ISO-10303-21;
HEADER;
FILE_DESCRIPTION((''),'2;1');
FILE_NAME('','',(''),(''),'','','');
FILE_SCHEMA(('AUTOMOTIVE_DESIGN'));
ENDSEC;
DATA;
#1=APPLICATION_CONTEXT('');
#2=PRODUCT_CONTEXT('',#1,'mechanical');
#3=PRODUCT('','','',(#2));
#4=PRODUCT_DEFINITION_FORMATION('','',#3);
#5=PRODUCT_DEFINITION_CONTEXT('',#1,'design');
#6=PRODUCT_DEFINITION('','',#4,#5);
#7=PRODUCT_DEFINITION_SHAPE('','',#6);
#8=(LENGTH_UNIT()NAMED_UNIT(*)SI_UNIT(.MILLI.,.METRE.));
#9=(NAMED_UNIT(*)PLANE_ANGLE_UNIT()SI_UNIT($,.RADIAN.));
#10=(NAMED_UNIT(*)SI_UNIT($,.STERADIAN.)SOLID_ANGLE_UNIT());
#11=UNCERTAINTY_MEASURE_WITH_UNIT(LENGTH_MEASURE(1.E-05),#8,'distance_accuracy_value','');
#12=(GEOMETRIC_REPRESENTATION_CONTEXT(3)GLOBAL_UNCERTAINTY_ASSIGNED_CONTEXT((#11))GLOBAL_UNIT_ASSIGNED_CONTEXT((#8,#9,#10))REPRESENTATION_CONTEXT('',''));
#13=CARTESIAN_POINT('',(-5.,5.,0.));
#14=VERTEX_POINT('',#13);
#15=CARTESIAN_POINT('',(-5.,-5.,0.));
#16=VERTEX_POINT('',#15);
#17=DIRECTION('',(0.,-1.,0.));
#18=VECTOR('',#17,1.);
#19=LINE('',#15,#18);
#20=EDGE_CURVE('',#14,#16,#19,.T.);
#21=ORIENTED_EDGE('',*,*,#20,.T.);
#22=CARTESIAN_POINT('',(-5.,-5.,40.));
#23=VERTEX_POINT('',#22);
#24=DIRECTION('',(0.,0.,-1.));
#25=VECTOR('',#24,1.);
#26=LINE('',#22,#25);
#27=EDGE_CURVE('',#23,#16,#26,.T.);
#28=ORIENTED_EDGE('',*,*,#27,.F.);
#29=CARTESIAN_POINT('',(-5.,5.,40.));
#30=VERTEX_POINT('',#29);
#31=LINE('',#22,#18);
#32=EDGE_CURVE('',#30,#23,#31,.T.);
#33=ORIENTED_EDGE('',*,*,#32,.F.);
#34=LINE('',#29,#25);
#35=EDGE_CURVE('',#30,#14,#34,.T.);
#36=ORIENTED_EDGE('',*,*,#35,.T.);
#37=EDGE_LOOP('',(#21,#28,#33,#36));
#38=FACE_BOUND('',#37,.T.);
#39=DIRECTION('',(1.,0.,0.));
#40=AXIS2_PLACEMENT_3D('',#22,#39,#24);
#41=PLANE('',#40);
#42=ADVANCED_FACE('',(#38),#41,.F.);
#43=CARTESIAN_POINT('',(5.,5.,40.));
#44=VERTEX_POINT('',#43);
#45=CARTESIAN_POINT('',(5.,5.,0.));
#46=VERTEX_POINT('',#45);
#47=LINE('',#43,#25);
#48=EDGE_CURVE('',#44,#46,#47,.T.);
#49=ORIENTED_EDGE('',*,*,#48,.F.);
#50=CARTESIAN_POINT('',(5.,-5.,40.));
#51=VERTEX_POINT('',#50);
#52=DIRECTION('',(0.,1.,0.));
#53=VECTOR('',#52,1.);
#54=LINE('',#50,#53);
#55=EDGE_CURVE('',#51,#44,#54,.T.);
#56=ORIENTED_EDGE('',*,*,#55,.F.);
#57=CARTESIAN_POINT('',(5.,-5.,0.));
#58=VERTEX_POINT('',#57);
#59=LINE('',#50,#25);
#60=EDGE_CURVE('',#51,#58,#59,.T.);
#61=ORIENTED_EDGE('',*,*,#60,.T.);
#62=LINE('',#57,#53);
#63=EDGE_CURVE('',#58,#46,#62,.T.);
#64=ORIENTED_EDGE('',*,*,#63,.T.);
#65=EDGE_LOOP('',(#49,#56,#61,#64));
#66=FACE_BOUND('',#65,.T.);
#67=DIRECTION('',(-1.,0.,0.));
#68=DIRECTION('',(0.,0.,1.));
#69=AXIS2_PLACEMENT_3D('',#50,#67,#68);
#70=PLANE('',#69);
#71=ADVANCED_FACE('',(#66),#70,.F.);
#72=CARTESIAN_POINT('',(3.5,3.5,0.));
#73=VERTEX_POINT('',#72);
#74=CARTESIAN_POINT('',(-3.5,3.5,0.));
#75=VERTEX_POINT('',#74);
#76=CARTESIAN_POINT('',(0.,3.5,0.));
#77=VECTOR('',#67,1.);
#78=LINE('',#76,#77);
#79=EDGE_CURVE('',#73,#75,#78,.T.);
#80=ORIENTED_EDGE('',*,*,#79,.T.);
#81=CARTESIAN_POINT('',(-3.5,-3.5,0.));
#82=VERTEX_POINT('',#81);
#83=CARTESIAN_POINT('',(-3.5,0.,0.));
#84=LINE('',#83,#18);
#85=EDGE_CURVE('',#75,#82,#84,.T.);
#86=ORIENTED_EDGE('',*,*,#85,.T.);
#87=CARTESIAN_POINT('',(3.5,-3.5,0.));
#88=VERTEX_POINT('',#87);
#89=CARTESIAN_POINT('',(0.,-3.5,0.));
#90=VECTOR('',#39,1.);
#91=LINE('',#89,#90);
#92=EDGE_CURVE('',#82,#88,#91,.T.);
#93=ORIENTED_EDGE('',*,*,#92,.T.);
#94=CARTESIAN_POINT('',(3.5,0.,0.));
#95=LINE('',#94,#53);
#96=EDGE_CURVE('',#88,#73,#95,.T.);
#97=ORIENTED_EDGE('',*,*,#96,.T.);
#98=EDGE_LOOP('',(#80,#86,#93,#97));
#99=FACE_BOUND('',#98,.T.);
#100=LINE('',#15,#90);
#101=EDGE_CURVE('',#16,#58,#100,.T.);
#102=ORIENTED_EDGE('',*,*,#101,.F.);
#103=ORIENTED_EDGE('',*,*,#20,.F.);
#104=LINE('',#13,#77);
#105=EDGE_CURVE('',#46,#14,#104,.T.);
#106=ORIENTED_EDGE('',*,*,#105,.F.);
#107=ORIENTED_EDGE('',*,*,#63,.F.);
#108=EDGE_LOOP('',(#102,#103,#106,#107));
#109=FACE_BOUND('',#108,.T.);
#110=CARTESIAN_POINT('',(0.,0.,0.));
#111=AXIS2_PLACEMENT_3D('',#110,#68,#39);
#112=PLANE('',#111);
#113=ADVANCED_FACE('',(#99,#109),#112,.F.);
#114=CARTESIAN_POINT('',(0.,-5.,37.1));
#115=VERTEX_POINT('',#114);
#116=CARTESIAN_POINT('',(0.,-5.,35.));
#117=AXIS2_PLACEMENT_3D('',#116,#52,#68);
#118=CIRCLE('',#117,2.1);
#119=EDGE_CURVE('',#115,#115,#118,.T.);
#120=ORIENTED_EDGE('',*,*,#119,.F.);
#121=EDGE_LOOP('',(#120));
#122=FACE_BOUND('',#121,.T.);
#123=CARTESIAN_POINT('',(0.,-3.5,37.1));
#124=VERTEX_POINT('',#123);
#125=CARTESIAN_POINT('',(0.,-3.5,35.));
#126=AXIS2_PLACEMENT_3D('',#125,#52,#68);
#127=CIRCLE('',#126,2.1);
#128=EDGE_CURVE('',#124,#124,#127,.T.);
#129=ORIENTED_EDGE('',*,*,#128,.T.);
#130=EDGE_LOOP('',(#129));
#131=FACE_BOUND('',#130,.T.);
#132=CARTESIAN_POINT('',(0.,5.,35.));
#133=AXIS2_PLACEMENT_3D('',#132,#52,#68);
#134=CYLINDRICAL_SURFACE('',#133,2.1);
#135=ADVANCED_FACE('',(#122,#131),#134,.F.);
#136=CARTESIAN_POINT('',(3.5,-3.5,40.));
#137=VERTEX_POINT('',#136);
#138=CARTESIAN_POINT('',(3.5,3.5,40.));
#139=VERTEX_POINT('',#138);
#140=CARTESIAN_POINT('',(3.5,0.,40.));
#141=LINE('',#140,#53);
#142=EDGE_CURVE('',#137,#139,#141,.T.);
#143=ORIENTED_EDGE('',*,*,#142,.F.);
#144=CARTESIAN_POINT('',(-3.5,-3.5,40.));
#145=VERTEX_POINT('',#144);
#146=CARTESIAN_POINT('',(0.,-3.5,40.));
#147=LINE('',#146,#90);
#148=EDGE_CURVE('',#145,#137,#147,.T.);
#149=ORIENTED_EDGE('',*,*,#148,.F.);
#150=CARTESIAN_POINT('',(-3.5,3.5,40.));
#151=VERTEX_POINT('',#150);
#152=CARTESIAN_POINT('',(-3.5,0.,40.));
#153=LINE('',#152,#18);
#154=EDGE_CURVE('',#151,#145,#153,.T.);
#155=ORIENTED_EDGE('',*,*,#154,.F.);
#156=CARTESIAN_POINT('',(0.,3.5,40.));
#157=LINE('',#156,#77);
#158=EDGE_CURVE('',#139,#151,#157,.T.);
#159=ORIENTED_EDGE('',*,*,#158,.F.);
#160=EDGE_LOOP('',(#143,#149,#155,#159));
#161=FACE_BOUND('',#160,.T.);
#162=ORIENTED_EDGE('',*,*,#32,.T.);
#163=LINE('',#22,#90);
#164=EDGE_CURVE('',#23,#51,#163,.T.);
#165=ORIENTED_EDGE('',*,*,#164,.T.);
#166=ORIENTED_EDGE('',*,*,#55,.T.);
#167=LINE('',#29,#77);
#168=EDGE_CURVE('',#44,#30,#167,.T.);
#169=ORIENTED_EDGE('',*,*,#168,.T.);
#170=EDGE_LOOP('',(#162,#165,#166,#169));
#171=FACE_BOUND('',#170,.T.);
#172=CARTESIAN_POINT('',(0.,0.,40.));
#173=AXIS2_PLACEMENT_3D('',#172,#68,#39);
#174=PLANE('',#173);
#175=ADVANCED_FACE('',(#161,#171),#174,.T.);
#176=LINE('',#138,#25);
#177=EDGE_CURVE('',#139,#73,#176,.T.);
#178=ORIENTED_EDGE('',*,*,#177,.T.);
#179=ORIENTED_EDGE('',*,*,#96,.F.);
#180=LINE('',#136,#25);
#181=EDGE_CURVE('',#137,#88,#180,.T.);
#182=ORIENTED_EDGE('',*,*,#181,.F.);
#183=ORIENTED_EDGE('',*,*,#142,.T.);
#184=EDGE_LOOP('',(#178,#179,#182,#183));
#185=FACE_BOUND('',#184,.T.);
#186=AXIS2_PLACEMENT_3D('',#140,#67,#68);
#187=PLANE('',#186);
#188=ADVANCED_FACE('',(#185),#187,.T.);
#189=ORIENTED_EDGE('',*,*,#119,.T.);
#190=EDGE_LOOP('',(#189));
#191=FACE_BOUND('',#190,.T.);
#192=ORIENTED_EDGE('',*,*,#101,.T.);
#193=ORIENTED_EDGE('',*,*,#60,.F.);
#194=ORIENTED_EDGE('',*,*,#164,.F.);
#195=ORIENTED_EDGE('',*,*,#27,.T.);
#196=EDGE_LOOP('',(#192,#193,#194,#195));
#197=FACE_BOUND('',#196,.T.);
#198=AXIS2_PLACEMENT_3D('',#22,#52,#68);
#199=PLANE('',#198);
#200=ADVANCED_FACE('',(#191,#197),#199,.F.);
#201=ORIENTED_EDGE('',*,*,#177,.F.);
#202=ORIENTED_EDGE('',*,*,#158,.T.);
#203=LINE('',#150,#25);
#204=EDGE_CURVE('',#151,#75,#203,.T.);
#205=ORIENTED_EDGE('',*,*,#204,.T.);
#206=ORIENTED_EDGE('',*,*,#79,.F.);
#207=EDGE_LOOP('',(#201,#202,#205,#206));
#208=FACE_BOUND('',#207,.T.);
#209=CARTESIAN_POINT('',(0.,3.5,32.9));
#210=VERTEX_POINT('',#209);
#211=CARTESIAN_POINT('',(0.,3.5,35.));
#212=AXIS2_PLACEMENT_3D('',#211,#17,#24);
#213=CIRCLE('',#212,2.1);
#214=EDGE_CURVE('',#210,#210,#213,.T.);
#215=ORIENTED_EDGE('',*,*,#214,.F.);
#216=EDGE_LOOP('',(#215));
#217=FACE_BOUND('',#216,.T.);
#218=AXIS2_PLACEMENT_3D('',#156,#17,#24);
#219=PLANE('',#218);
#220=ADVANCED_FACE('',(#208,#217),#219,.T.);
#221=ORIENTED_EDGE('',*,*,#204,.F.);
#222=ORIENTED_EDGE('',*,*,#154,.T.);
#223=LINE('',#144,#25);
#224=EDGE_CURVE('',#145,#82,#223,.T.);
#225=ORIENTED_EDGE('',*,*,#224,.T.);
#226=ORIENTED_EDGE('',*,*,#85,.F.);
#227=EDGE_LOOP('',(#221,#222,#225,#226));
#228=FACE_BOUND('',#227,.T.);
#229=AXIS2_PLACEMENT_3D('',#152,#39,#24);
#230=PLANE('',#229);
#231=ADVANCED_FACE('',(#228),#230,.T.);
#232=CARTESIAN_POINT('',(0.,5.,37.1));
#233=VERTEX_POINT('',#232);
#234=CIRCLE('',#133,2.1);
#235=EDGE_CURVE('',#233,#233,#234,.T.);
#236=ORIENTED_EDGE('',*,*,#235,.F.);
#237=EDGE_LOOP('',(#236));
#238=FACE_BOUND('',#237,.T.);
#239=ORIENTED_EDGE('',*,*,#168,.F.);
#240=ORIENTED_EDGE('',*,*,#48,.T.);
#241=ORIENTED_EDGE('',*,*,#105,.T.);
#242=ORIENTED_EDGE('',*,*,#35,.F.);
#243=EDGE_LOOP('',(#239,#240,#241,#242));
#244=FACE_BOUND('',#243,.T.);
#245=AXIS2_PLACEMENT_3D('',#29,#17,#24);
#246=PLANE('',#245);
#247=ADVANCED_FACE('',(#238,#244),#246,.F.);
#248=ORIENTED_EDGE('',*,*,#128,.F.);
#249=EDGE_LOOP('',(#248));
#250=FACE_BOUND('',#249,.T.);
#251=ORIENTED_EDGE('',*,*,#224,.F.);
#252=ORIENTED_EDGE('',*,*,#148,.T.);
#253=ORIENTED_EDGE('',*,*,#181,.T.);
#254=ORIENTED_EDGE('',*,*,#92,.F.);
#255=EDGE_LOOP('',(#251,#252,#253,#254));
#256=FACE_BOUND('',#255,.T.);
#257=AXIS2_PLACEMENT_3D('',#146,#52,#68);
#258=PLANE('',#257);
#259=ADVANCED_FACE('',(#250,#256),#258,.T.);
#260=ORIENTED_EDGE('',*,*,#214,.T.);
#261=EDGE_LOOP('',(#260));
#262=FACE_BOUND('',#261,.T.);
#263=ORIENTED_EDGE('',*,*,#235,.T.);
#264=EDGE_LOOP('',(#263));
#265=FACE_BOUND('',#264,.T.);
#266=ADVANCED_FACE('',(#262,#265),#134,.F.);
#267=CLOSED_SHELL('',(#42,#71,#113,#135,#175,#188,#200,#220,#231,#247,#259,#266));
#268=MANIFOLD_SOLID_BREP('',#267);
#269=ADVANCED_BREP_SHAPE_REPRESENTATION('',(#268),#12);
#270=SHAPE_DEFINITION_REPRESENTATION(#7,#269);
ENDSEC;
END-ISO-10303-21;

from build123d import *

# Parameters (mm, degrees)
SKETCH_1_W         = 10
SKETCH_1_H         = 10
SKETCH_1_W_2       = 7
SKETCH_1_H_2       = 7
EXTRUDE_1_DEPTH    = 40
HOLE_WIZARD_M5_1_D = 4.2


with BuildPart() as part:
    # 草圖1 → 伸長-薄件1 (new body)
    with BuildSketch(Plane.XY):
        Rectangle(SKETCH_1_W, SKETCH_1_H)
        Rectangle(SKETCH_1_W_2, SKETCH_1_H_2, mode=Mode.SUBTRACT)
    extrude(amount=EXTRUDE_1_DEPTH)

    # M5 螺紋孔1 (through all)
    with Locations(Plane(origin=(0, 5, 0), x_dir=(1, 0, 0), z_dir=(0, 1, 0))):
        with Locations((0, -35)):
            Hole(HOLE_WIZARD_M5_1_D / 2)


solid = part.part
